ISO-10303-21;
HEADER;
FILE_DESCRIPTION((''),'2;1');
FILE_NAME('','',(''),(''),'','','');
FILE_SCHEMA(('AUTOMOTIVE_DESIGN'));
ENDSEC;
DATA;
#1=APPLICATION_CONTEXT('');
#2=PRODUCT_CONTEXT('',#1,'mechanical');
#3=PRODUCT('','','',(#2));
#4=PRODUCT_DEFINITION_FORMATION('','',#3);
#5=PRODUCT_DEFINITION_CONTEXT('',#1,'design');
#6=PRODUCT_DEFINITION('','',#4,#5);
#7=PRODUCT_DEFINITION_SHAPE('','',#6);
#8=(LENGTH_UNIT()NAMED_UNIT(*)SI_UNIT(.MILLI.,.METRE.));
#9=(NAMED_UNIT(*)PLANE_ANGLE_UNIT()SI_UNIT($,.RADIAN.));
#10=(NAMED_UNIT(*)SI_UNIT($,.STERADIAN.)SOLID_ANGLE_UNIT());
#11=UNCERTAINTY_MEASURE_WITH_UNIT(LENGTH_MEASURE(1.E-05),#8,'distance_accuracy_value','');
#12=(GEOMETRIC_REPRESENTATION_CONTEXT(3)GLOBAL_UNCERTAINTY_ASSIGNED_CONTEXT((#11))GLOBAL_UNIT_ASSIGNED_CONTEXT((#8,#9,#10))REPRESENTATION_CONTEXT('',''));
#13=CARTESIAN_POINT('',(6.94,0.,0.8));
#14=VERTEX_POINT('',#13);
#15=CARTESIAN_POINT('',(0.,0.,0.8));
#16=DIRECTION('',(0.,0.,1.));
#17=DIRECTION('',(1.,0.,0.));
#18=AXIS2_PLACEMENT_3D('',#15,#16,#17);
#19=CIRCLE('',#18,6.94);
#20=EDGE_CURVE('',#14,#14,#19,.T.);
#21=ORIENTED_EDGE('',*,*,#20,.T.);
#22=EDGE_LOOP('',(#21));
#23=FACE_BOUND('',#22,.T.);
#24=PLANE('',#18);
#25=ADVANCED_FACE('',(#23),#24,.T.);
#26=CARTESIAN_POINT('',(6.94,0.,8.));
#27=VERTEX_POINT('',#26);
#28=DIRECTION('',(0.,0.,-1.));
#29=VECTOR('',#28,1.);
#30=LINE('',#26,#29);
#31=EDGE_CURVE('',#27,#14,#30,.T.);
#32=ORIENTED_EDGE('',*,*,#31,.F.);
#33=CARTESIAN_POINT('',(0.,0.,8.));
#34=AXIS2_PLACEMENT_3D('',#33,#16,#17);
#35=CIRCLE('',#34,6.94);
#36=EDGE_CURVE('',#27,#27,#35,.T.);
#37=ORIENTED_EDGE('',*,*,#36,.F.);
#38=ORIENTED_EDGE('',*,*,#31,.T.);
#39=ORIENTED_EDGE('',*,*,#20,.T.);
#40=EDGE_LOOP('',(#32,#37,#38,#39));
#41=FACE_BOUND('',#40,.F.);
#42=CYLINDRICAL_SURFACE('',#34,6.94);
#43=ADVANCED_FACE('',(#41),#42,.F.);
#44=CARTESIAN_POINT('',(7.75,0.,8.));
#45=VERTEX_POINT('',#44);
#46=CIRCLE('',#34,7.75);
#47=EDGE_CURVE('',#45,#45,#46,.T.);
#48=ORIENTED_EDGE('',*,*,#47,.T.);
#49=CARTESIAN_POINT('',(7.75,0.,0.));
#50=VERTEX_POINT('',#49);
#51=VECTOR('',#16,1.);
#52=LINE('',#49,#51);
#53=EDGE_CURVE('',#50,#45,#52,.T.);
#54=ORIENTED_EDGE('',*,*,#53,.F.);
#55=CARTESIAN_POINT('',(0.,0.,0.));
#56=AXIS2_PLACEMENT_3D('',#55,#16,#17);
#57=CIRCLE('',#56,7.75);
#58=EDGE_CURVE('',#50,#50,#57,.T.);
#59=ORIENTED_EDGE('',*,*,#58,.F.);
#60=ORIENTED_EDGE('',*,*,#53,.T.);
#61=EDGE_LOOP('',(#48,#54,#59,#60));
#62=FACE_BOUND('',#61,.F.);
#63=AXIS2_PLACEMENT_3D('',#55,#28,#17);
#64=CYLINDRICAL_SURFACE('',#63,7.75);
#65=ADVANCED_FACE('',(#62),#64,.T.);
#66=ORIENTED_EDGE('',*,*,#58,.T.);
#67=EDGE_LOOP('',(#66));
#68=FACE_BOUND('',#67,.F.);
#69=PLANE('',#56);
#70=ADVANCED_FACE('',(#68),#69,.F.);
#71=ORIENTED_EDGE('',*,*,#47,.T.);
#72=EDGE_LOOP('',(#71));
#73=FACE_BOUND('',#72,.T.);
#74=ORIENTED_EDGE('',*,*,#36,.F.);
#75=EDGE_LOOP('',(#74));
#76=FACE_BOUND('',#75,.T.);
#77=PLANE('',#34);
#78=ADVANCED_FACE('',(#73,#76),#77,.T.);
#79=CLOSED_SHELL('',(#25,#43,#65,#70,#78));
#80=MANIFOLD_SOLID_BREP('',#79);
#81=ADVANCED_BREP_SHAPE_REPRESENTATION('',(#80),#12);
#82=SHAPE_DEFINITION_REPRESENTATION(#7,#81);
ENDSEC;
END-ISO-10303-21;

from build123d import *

# Parameters (mm, degrees)
SKETCH_R     = 7.75
PAD_DEPTH    = 8
SKETCH001_R  = 6.94
POCKET_DEPTH = 7.2


with BuildPart() as part:
    # Sketch → Pad (new body)
    with BuildSketch(Plane.XY):
        Circle(SKETCH_R)
    extrude(amount=PAD_DEPTH)

    # Sketch001 (on Face3 of Pad) → Pocket (cut)
    with BuildSketch(Plane.XY.offset(8)):
        Circle(SKETCH001_R)
    extrude(amount=-POCKET_DEPTH, mode=Mode.SUBTRACT)


solid = part.part
